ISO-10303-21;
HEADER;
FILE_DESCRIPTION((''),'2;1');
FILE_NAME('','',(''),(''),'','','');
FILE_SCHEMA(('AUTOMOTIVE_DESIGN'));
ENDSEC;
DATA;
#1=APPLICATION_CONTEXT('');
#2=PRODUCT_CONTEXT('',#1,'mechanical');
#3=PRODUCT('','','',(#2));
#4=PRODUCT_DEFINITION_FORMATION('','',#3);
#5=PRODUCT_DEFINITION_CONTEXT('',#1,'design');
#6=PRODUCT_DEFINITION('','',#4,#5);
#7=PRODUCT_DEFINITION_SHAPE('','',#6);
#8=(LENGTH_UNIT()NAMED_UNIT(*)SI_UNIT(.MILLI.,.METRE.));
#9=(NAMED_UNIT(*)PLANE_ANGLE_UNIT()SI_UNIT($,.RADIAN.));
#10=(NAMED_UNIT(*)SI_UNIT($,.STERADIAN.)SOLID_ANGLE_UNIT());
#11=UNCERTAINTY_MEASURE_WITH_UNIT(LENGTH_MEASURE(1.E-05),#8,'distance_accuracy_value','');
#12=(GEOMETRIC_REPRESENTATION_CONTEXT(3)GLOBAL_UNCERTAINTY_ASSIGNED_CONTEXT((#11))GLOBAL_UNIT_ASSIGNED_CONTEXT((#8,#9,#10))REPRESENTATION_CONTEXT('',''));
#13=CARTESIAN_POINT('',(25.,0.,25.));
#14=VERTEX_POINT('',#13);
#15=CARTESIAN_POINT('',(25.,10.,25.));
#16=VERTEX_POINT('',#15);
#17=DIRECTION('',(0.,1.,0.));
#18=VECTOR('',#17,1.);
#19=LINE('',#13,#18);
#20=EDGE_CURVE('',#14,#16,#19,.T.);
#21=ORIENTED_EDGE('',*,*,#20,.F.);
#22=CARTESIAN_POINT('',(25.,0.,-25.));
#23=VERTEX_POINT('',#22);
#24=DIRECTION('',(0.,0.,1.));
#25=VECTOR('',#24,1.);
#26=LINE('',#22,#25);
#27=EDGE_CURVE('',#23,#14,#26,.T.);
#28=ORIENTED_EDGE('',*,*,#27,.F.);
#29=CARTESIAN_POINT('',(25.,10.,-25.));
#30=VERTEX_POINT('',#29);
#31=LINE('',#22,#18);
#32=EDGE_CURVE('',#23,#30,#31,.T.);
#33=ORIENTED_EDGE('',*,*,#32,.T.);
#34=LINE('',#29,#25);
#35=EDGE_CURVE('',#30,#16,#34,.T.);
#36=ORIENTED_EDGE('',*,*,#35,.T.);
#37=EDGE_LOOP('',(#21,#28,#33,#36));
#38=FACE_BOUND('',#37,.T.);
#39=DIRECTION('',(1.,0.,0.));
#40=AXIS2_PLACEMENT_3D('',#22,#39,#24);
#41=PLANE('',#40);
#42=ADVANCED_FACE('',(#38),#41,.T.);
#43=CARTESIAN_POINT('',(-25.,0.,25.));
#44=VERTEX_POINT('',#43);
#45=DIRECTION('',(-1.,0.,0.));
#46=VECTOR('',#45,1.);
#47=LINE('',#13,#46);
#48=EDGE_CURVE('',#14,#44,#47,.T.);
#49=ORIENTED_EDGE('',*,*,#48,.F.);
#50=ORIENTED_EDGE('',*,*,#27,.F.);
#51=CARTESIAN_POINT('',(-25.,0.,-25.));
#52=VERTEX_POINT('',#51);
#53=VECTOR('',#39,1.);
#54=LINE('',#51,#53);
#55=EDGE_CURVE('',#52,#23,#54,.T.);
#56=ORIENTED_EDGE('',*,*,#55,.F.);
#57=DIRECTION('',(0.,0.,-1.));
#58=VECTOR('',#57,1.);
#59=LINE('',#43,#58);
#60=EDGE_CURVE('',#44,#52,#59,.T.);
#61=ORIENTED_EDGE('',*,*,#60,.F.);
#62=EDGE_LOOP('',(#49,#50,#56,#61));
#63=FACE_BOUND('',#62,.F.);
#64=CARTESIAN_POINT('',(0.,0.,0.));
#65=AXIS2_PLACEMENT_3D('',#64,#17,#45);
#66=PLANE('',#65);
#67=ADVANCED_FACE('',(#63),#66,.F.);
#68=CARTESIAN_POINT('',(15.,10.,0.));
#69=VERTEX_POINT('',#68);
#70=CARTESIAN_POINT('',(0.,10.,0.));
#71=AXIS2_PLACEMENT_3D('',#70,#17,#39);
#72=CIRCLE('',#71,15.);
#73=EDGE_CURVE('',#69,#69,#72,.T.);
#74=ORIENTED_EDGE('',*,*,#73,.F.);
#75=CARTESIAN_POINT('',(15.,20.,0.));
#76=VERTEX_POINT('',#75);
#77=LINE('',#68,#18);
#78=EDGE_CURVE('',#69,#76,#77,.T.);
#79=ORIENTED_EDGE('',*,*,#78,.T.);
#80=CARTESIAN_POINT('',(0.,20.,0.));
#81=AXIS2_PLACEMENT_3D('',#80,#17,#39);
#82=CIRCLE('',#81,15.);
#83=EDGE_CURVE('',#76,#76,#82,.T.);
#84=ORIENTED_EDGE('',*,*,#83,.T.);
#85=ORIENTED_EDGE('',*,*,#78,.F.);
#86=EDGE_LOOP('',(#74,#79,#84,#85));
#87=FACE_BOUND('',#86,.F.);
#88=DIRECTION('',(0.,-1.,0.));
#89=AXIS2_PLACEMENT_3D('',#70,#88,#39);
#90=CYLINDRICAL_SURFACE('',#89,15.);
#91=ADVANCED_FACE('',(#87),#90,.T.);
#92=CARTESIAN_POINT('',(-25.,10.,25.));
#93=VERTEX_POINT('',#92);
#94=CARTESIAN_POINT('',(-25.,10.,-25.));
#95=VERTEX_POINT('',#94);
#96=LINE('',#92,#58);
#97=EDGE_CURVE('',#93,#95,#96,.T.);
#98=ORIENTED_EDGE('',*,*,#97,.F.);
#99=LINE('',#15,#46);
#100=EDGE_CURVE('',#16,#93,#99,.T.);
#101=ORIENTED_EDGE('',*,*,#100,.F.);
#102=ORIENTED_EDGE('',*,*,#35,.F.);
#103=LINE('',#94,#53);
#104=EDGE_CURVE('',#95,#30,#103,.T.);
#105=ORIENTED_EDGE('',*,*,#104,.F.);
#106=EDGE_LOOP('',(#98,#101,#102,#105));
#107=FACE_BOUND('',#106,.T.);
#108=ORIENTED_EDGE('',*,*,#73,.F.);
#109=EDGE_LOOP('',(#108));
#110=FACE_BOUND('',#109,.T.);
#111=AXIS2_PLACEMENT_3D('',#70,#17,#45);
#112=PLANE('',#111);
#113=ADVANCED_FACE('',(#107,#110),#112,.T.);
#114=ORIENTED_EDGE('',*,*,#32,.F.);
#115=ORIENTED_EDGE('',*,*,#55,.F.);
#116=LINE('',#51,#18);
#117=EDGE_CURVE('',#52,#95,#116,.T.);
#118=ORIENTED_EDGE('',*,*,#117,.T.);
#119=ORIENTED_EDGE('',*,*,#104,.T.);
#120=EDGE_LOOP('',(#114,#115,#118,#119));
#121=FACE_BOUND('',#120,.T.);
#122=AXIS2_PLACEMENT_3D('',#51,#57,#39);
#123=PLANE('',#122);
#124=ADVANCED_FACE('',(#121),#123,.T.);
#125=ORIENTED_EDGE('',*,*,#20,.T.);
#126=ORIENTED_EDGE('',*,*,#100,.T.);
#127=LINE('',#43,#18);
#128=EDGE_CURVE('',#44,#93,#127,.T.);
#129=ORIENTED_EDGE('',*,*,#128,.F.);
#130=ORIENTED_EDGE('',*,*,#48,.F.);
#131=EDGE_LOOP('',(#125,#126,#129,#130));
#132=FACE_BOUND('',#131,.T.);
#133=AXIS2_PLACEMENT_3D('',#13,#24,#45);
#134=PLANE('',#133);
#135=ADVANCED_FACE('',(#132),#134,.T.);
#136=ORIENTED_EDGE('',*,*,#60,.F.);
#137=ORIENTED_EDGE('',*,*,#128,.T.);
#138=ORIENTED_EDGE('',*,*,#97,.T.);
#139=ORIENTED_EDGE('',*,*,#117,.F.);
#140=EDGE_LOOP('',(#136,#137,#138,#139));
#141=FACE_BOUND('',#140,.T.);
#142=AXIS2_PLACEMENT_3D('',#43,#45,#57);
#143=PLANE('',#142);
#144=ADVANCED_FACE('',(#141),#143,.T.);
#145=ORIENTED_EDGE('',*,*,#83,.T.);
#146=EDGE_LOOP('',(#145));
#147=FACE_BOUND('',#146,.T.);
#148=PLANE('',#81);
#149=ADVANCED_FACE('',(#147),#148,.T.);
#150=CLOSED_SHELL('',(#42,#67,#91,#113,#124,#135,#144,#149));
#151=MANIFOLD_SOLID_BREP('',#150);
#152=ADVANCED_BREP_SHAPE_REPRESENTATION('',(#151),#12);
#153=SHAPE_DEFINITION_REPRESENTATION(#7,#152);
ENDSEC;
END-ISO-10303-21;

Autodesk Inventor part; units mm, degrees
ref_plane "YZ Plane" through (0, 0, 0) normal (1, 0, 0) x (0, 1, 0)
ref_plane "XZ Plane" through (0, 0, 0) normal (0, 1, 0) x (-1, 0, 0)
ref_plane "XY Plane" through (0, 0, 0) normal (0, 0, 1) x (1, 0, 0)
sketch "스케치1" plane through (0, 0, 0) normal (0, 1, 0) x (-1, 0, 0)
  line L0 (-25, 25) -> (25, 25)
  line L1 (25, 25) -> (25, -25)
  line L2 (25, -25) -> (-25, -25)
  line L3 (-25, -25) -> (-25, 25)
  line L4 (-25, 25) -> (25, -25) construction
  line L5 (25, 25) -> (-25, -25) construction
  point P0 (0, 0)
  dimension "d0" = 50
  dimension "d1" = 50
extrude "돌출1" add sketch "스케치1" along normal blind 10
sketch "스케치2" plane through (0, 10, 0) normal (0, 1, 0) x (1, 0, 0)
  circle A0 centre (0, 0) radius 15
  dimension "d4" = 30
extrude "돌출2" add sketch "스케치2" along normal blind 10
properties part number "base_0.1" material "ABS 플라스틱"
